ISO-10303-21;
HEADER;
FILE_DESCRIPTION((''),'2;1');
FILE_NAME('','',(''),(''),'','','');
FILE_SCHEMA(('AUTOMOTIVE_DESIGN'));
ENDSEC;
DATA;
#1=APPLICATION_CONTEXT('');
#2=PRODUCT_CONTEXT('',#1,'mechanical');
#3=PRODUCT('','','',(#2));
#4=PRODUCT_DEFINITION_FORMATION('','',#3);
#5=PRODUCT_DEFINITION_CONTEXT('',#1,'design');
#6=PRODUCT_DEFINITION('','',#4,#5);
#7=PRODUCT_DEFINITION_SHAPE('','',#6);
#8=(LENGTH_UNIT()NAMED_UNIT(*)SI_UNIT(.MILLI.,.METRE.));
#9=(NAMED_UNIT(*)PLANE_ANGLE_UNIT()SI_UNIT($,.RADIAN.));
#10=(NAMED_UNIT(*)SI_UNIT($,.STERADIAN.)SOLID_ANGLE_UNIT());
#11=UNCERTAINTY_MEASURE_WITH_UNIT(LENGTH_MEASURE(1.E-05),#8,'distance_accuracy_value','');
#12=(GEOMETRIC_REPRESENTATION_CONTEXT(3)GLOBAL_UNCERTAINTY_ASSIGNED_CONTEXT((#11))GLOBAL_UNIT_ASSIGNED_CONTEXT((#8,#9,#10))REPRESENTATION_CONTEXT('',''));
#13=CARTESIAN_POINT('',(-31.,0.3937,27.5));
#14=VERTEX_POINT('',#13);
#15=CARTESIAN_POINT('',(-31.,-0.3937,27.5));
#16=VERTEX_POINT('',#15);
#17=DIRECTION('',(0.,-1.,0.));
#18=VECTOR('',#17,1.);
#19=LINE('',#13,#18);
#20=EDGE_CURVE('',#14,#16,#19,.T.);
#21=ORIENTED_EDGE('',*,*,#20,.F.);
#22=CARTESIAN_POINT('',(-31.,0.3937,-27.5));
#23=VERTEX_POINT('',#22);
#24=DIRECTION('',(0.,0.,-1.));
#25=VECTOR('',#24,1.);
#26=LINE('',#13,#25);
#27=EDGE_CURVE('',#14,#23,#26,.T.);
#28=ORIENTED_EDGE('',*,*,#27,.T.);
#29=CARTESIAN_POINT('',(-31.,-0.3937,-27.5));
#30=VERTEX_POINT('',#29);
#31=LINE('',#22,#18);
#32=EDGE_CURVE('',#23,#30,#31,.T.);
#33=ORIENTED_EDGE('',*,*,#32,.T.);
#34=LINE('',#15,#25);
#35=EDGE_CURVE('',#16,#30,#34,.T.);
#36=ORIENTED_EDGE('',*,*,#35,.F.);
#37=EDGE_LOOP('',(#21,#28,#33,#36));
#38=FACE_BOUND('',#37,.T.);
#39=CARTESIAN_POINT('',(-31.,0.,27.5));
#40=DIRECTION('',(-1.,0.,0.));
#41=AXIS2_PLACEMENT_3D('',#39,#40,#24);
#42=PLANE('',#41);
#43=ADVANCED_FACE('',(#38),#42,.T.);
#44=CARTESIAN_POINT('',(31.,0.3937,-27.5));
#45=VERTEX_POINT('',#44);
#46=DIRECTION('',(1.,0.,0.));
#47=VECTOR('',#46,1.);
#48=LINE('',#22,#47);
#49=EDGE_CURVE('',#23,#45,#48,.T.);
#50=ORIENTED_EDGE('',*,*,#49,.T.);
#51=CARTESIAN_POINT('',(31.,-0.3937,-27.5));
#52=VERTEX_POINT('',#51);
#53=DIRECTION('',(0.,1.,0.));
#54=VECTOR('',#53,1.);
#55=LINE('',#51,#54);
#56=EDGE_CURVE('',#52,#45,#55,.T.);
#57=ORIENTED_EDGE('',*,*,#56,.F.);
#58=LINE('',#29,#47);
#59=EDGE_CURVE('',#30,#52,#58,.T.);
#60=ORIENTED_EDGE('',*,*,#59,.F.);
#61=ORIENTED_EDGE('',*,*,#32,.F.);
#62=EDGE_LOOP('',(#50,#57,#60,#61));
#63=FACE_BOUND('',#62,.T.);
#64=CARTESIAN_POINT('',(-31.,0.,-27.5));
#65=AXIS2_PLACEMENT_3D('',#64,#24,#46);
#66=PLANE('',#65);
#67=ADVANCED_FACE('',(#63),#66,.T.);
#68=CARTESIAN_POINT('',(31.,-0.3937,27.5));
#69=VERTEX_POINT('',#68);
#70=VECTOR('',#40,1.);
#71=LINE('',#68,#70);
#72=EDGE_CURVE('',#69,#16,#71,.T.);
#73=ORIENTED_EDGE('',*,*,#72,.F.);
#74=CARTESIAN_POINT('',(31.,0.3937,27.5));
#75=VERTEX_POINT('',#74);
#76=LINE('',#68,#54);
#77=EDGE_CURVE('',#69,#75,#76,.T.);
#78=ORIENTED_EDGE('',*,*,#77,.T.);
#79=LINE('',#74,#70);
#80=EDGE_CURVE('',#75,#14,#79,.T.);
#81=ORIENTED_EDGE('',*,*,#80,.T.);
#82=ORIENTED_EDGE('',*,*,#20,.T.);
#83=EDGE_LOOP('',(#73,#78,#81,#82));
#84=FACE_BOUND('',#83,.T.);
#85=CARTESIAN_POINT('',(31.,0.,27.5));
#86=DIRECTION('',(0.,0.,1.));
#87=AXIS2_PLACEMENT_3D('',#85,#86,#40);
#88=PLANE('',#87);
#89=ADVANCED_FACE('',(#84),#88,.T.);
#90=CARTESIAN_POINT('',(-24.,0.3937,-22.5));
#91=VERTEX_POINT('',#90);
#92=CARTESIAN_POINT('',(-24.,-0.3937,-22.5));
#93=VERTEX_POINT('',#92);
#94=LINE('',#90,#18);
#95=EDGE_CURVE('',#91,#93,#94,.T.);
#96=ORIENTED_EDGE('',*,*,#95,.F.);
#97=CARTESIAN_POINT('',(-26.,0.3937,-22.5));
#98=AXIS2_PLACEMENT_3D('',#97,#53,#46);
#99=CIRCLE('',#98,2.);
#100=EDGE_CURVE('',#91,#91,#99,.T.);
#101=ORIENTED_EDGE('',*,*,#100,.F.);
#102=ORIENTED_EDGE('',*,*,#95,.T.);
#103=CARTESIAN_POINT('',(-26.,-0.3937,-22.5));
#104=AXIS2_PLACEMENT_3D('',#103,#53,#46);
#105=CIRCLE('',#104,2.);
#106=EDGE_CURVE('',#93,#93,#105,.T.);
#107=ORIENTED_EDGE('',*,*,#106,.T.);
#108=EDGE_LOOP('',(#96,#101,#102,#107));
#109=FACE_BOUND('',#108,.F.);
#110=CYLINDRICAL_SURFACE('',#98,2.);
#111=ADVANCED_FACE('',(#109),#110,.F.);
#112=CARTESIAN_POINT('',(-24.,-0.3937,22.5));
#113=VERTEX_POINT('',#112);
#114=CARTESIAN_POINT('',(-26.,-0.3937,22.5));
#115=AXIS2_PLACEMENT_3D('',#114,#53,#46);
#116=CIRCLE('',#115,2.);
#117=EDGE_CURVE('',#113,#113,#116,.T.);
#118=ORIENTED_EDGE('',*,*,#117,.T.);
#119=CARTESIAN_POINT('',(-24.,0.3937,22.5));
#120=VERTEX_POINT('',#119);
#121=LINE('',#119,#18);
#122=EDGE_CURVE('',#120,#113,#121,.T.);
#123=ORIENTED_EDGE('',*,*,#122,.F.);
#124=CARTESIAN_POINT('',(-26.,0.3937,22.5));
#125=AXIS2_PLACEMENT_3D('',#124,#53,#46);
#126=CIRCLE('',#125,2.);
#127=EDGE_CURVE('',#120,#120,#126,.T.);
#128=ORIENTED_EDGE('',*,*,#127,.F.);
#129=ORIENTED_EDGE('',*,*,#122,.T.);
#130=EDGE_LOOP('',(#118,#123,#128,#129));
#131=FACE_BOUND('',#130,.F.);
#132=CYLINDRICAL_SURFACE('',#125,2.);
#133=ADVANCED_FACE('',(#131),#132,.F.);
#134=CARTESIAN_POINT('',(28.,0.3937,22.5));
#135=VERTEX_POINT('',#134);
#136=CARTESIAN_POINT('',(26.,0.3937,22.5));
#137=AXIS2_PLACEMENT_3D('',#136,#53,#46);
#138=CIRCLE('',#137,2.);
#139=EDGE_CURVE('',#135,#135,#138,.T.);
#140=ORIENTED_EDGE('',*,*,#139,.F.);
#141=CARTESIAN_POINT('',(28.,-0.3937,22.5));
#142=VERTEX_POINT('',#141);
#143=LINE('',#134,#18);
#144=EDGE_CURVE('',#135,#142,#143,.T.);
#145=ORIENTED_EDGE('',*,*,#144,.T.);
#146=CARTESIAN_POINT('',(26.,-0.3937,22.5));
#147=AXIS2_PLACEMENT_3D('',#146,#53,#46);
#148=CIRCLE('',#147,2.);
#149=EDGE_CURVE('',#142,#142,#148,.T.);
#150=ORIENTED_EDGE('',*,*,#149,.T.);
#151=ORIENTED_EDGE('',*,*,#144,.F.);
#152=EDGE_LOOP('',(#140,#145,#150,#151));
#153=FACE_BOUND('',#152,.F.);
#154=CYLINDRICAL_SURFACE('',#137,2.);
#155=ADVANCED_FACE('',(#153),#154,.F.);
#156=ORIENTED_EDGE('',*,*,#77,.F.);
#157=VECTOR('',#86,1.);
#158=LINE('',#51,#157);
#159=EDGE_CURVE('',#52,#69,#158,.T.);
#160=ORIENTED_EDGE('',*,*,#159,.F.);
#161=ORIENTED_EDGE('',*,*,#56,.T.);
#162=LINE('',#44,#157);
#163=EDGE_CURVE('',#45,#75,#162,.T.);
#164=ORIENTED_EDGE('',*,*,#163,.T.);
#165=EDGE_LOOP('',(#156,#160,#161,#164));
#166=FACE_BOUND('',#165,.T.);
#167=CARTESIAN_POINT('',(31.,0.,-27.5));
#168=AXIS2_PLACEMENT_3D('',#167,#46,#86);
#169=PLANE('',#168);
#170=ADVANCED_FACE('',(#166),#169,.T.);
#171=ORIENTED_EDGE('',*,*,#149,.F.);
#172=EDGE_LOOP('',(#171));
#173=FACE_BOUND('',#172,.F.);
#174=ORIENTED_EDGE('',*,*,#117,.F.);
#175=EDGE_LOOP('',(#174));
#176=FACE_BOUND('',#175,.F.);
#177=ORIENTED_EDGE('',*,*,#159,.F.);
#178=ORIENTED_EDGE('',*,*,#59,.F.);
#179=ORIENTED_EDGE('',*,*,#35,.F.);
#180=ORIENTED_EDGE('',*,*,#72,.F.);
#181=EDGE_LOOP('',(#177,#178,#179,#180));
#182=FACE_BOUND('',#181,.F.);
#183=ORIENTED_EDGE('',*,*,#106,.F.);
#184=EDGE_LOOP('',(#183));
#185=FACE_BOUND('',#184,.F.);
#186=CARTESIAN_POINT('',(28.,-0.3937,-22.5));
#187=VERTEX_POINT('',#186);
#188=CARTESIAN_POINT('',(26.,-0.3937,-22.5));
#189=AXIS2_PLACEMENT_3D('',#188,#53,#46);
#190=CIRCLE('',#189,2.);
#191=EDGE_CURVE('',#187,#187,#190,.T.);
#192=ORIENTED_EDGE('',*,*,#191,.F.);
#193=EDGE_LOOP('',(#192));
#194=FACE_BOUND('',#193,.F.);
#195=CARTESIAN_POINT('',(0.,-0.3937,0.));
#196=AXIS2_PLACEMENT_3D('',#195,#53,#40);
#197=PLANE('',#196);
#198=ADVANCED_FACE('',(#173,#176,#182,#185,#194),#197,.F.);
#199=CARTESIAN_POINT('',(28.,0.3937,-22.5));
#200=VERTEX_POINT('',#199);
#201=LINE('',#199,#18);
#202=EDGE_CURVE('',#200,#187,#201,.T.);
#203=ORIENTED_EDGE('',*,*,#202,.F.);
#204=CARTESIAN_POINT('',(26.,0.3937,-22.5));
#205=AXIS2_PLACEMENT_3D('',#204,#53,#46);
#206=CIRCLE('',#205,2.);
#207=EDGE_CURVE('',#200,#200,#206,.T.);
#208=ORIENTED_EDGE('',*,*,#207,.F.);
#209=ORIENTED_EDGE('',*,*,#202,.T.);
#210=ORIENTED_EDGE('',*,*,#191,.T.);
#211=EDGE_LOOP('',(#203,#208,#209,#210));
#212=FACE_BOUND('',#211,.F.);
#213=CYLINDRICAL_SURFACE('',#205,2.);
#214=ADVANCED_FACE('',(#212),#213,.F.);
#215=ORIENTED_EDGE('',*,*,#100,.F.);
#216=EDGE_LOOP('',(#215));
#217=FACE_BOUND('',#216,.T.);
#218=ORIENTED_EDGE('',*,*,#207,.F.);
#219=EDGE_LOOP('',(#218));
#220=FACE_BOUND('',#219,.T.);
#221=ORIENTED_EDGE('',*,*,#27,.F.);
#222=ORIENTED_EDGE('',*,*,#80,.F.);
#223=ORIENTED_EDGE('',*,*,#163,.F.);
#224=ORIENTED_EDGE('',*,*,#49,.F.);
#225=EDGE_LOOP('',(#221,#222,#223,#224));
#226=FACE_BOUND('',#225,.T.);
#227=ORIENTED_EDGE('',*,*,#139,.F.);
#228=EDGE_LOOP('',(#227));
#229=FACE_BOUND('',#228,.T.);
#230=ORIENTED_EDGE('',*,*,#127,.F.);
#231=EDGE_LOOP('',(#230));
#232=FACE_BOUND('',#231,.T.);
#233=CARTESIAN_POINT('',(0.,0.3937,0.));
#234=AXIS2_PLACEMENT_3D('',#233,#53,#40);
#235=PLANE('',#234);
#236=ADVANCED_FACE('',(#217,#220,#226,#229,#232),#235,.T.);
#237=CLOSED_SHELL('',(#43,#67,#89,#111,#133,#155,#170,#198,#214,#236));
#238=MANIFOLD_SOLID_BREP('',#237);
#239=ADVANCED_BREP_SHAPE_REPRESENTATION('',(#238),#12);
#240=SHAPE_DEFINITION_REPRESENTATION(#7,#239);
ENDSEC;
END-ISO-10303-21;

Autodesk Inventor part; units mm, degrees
ref_plane "YZ Plane" through (0, 0, 0) normal (1, 0, 0) x (0, 1, 0)
ref_plane "XZ Plane" through (0, 0, 0) normal (0, 1, 0) x (-1, 0, 0)
ref_plane "XY Plane" through (0, 0, 0) normal (0, 0, 1) x (1, 0, 0)
sketch "Sketch1" plane through (0, 0, 0) normal (0, 1, 0) x (-1, 0, 0)
  line L0 (-31, 27.5) -> (31, 27.5)
  line L1 (31, 27.5) -> (31, -27.5)
  line L2 (31, -27.5) -> (-31, -27.5)
  line L3 (-31, -27.5) -> (-31, 27.5)
  line L4 (-31, 27.5) -> (31, -27.5) construction
  line L5 (31, 27.5) -> (-31, -27.5) construction
  point P0 (0, 0)
  dimension "d0" = 62
  dimension "d1" = 55
extrude "Extrusion1" add sketch "Sketch1" along normal mid plane 0.7874
sketch "Sketch2" plane through (0, 0.3937, 0) normal (0, 1, 0) x (1, 0, 0)
  circle A0 centre (-26, -22.5) radius 2
  circle A1 centre (-26, 22.5) radius 2
  circle A2 centre (26, -22.5) radius 2
  circle A3 centre (26, 22.5) radius 2
  point P0 (0, 0)
  dimension "d4" = 4
  dimension "d5" = 4
  dimension "d6" = 4
  dimension "d7" = 4
extrude "Extrusion2" cut sketch "Sketch2" against normal through all
properties part number "62x55mm-PCB"
